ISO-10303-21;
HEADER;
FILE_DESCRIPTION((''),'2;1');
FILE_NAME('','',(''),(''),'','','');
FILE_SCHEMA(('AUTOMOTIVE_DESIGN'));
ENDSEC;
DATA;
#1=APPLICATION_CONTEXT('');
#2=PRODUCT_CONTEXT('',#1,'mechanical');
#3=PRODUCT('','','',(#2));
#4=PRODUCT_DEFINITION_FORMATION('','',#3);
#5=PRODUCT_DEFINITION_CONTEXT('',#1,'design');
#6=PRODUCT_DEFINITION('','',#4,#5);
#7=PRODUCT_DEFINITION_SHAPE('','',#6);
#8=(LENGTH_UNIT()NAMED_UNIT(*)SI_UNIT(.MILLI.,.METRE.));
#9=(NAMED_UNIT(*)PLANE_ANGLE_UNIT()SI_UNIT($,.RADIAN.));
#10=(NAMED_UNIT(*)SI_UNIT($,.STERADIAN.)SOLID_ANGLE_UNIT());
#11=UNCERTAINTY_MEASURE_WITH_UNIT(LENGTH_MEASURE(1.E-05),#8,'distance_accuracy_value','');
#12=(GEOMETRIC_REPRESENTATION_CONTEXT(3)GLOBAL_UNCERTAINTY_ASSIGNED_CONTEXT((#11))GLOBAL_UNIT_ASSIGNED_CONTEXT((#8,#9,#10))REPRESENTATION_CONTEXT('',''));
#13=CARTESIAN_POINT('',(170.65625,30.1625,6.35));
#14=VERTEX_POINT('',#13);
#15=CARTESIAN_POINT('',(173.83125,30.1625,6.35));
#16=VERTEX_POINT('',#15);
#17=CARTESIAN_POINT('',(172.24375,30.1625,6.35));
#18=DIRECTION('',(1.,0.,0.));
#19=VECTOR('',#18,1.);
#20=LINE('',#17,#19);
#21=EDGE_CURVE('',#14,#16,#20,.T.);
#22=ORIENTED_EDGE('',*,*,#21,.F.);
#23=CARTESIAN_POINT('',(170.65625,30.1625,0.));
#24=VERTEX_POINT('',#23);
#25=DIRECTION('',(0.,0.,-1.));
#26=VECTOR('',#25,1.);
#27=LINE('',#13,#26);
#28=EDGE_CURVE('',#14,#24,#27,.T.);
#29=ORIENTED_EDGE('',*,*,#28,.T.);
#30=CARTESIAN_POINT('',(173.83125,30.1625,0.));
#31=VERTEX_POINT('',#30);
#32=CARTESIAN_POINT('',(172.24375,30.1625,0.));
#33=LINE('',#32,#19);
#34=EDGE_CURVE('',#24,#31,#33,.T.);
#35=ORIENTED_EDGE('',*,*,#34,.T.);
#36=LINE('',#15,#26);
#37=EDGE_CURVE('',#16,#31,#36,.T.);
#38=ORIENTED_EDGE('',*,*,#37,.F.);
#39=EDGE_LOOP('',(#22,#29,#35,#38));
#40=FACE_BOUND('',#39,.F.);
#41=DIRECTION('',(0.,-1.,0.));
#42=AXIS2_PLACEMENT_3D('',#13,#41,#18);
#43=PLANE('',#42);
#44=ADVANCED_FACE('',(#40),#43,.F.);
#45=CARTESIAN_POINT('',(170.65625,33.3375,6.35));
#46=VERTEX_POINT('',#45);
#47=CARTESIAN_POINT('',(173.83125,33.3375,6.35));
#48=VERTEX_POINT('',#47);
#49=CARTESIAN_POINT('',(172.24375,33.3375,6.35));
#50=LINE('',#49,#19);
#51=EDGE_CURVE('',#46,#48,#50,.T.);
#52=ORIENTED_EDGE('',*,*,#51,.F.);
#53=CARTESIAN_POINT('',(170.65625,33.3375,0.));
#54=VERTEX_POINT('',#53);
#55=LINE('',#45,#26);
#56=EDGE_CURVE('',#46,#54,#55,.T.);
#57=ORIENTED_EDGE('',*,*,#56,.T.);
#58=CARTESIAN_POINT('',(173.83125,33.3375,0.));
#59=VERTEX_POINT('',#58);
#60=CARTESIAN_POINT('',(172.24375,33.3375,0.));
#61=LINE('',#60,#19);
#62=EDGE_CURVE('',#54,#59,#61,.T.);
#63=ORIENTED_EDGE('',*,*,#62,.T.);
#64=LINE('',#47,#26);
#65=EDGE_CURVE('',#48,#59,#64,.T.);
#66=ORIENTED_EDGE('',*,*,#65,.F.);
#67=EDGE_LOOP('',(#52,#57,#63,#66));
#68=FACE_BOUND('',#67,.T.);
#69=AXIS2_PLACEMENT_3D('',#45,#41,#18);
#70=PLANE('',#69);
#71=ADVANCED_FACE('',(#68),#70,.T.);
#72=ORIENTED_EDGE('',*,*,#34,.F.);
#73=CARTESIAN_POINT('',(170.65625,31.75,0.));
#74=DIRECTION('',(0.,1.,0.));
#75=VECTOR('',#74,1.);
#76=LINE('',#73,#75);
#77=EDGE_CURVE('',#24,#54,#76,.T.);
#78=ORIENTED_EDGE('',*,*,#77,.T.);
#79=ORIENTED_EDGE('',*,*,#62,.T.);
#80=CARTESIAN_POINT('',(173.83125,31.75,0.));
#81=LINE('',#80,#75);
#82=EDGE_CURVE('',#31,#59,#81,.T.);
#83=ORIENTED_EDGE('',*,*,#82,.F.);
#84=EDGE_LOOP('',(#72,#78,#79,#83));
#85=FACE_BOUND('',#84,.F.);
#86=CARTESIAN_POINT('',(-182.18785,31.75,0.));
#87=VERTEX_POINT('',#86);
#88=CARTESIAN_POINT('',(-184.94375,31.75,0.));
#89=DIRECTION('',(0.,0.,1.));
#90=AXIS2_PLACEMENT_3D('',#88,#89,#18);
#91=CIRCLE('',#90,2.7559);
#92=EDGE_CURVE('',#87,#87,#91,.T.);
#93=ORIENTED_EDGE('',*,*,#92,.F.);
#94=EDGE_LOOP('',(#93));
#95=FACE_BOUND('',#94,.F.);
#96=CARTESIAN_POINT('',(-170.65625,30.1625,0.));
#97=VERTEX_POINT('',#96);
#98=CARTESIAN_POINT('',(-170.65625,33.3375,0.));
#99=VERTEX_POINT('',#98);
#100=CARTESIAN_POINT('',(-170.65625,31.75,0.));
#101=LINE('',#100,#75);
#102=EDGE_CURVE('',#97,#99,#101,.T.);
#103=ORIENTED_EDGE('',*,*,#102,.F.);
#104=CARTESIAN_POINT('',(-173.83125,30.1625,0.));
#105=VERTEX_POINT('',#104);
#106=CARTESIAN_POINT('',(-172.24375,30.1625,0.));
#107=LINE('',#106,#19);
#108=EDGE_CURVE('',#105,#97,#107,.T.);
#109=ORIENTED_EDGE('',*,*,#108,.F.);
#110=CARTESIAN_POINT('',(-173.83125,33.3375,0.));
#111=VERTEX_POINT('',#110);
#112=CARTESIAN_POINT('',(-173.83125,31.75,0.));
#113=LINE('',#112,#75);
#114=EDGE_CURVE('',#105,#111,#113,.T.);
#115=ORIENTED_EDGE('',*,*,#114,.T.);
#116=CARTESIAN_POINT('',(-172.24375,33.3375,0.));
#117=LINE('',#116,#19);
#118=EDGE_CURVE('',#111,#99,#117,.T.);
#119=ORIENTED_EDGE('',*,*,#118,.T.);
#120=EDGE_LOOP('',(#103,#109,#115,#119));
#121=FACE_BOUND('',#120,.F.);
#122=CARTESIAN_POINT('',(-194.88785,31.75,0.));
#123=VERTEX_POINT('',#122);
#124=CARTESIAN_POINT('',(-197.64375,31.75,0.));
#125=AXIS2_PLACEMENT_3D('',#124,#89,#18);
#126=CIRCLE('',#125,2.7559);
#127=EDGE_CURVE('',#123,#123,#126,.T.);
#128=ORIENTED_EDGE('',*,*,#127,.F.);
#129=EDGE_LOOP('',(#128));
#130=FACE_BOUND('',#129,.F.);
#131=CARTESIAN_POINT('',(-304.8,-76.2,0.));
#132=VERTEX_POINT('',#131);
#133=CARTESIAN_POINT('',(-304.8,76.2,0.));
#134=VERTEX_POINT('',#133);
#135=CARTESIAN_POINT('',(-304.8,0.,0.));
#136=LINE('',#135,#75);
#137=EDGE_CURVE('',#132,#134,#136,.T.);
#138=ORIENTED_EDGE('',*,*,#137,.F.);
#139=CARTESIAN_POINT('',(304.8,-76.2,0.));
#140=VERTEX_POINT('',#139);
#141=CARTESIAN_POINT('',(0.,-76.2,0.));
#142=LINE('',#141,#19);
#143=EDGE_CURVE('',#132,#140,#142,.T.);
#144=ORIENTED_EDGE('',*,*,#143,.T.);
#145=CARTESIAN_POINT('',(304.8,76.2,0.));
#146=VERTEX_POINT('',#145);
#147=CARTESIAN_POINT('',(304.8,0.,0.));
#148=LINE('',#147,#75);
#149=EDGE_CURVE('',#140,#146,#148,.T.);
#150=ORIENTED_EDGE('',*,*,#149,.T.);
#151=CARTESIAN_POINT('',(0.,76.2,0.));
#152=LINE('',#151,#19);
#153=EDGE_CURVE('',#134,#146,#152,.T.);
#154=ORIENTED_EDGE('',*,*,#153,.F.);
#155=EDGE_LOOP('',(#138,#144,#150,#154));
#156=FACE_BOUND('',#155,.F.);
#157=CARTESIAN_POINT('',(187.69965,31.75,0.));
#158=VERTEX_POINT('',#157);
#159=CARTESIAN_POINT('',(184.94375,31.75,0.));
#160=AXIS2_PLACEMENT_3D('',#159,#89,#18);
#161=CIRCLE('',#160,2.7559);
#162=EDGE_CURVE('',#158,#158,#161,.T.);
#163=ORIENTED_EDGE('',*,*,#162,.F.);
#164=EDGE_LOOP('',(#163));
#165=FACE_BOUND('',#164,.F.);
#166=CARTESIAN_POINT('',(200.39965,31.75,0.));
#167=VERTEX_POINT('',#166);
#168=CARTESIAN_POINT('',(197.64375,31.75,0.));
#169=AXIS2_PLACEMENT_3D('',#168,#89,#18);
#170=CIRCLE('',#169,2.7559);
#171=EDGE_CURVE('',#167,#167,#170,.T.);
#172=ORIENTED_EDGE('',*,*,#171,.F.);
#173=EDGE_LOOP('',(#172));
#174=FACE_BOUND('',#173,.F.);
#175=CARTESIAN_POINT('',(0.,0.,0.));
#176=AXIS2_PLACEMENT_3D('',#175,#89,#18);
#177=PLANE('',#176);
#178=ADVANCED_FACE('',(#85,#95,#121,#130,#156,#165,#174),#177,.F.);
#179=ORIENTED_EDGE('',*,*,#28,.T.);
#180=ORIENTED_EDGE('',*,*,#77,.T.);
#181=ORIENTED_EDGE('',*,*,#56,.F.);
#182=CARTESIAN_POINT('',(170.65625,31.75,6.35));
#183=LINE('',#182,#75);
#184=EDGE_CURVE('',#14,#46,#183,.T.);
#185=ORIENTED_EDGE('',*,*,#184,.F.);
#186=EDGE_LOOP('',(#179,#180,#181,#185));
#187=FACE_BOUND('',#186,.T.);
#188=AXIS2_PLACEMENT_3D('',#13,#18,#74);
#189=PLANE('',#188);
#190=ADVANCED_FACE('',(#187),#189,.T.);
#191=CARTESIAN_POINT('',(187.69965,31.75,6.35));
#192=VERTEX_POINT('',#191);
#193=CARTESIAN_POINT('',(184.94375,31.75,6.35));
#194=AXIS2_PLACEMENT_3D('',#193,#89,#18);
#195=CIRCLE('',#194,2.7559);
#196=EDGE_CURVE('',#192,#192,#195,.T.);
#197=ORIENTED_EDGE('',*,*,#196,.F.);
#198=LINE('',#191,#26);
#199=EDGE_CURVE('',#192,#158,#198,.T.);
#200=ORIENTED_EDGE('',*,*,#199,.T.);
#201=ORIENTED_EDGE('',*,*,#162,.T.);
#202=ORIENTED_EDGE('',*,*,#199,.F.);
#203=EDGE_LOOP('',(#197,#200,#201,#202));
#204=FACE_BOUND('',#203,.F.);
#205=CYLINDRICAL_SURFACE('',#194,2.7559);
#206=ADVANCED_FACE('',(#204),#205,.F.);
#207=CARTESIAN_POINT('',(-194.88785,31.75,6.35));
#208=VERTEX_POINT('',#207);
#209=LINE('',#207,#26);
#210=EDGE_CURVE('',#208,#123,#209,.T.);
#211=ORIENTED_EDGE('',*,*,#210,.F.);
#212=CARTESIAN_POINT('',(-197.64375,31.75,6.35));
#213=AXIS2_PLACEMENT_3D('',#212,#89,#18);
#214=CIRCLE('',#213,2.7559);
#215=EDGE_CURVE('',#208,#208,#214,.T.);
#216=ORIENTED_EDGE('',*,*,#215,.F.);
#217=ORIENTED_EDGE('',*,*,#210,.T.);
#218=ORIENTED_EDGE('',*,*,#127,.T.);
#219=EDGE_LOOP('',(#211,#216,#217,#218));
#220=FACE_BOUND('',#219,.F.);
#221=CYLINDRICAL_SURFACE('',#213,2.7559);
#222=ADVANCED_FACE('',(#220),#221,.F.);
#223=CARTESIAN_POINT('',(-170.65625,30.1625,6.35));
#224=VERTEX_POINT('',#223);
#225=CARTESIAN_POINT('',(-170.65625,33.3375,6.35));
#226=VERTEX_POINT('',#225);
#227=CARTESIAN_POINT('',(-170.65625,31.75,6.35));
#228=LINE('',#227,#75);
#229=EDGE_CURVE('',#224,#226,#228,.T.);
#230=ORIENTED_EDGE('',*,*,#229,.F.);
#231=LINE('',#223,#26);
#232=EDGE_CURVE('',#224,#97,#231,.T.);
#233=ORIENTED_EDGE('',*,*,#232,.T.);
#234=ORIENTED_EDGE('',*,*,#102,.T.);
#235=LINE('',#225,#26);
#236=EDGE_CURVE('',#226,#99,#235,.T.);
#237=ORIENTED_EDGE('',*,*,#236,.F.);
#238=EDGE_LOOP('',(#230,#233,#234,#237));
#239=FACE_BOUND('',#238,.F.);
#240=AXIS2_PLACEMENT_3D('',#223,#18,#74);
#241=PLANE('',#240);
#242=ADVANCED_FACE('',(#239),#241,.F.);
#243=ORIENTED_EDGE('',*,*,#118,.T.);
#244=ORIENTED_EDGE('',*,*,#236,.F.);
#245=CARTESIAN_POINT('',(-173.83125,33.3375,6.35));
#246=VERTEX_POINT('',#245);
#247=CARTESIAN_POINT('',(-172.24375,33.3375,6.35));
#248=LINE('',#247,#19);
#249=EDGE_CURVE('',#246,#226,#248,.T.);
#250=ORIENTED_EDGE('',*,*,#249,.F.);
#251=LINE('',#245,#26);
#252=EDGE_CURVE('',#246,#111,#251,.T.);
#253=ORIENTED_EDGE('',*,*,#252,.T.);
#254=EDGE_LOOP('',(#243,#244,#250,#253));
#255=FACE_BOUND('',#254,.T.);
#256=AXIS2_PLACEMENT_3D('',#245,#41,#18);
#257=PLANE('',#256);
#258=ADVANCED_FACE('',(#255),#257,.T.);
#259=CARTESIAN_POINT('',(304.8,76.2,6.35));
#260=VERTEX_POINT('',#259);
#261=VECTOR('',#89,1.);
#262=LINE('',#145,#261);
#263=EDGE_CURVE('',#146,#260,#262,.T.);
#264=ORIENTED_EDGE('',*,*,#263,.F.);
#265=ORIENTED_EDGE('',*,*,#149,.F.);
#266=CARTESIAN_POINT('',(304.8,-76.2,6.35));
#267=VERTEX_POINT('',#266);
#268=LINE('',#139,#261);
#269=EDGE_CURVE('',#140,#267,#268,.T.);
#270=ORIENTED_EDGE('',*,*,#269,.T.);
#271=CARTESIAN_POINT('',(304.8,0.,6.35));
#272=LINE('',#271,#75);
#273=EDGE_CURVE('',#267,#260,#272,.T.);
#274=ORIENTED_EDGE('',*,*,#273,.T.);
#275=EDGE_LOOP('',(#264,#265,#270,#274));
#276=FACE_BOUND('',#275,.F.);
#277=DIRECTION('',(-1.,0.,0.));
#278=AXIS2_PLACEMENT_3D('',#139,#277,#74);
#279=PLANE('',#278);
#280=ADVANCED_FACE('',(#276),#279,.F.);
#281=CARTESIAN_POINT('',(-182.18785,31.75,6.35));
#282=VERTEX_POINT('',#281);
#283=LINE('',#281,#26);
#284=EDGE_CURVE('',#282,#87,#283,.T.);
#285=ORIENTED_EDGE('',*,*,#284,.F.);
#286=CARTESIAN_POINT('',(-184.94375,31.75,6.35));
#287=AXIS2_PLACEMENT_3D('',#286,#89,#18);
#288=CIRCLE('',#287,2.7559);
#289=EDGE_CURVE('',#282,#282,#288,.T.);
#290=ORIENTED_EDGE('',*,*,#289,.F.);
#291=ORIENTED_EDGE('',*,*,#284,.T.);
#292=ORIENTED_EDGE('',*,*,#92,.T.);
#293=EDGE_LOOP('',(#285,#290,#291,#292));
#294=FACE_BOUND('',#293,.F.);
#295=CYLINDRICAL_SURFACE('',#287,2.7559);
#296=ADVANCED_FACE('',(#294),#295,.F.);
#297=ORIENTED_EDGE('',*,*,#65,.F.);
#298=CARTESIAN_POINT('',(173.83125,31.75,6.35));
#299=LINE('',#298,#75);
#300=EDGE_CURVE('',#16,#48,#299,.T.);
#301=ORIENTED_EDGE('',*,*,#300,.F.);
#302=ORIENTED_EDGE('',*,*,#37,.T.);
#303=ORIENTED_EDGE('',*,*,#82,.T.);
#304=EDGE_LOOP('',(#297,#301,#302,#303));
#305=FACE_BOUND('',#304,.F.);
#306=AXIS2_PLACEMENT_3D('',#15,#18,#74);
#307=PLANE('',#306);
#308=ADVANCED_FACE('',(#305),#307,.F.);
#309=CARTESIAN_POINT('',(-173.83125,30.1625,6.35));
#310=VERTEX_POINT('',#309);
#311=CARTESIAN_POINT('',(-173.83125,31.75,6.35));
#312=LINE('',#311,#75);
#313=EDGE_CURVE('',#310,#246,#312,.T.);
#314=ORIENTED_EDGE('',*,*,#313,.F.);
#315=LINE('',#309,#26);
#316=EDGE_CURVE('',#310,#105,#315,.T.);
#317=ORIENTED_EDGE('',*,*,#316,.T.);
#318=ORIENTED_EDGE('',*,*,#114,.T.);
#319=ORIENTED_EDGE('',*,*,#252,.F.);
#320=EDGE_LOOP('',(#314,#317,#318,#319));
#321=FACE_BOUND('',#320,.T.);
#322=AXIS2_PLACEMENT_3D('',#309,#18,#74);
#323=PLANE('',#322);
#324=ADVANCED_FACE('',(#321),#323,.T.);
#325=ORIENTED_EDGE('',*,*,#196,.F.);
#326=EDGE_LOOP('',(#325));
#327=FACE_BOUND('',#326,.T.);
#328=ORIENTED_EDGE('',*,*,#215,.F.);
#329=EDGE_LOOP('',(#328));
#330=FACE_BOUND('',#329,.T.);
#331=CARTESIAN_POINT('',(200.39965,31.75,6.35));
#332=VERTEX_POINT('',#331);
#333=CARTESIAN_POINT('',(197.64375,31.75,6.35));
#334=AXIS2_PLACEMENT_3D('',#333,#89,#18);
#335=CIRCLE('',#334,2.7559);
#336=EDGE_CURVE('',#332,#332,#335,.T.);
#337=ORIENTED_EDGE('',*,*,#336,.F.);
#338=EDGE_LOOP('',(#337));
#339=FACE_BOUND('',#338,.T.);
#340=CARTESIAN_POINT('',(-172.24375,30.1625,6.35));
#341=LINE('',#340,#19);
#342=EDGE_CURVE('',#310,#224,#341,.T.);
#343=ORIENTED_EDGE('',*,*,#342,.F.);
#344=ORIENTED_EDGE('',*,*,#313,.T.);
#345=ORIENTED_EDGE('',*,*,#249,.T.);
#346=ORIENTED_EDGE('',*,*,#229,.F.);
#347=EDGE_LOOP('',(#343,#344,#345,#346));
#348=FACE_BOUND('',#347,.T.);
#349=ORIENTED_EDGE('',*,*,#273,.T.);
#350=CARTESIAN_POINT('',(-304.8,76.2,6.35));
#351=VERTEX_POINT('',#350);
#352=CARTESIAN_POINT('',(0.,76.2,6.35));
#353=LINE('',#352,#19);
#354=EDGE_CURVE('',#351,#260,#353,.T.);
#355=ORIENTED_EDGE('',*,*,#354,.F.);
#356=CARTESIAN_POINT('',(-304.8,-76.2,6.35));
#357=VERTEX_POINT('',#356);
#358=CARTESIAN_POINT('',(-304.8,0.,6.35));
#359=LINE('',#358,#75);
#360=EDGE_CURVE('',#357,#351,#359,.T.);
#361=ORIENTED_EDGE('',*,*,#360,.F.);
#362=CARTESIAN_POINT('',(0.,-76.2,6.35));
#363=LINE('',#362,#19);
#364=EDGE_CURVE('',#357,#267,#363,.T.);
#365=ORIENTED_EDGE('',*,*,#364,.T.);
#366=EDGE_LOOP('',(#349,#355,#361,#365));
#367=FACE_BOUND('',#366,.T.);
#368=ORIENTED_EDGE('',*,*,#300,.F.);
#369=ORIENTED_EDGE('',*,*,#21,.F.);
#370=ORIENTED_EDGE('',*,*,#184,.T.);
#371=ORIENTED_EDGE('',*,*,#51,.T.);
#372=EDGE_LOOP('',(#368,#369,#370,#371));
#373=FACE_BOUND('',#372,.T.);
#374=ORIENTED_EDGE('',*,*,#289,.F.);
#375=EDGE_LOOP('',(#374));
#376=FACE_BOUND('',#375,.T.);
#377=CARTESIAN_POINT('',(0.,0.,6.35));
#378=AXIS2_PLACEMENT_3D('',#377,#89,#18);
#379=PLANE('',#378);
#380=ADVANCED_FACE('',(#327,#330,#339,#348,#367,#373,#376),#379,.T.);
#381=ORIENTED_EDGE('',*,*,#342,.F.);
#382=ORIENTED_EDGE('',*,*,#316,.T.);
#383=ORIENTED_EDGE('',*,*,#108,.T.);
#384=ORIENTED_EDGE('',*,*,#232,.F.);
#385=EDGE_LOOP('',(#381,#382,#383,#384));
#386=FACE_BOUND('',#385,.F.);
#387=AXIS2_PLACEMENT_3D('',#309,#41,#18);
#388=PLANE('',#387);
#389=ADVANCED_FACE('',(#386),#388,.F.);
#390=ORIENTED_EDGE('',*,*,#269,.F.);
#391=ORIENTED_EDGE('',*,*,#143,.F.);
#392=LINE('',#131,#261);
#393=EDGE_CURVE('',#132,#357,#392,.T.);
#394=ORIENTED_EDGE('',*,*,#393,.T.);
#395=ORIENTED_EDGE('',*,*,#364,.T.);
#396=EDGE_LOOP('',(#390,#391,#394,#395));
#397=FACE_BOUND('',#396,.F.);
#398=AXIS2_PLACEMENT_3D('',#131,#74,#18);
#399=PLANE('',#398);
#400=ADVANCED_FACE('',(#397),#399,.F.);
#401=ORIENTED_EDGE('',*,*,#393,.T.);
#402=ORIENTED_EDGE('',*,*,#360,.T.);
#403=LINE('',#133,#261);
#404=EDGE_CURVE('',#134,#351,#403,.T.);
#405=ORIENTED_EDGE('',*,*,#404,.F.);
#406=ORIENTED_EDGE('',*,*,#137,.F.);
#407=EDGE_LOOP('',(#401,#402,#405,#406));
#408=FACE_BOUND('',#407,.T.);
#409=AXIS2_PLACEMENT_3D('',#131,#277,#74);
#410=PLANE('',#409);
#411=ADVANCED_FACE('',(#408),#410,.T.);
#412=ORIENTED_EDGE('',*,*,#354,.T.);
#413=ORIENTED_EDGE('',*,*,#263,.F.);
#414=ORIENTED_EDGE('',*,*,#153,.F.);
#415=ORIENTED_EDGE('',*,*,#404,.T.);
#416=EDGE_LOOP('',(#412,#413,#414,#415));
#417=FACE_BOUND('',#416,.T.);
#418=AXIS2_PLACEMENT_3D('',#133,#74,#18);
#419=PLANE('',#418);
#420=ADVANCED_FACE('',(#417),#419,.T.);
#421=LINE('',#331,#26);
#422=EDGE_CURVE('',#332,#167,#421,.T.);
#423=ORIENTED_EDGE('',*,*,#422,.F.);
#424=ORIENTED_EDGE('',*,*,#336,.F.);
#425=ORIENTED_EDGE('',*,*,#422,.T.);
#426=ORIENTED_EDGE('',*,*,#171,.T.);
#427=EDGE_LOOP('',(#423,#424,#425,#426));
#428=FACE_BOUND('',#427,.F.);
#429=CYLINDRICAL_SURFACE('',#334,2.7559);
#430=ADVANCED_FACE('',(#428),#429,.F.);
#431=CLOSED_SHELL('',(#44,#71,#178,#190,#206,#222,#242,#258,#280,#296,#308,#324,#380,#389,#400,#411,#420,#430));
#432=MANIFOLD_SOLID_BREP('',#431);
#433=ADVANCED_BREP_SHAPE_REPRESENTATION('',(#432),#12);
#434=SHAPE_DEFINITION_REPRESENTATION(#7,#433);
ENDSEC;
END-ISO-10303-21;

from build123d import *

# Parameters (mm, degrees)
F0_W     = 609.6
F0_H     = 152.4
F1_DEPTH = 6.35
F2_R     = 2.7559
F2_W     = 3.175
F2_H     = 3.175
F3_DEPTH = 6.35


with BuildPart() as f1:
    # F0 (on Top) → F1 (new body)
    with BuildSketch(Plane.XY):
        Rectangle(F0_W, F0_H)
    extrude(amount=F1_DEPTH)

    # F2 (on face) → F3 (cut)
    with BuildSketch(Plane.XY.offset(6.35)):
        with Locations((-184.94375, 31.75)):
            Circle(F2_R)
        with Locations((-197.64375, 31.75)):
            Circle(F2_R)
        with Locations((184.94375, 31.75)):
            Circle(F2_R)
        with Locations((197.64375, 31.75)):
            Circle(F2_R)
        with Locations((-172.24375, 31.75)):
            Rectangle(F2_W, F2_H)
        with Locations((172.24375, 31.75)):
            Rectangle(F2_W, F2_H)
    extrude(amount=-F3_DEPTH, mode=Mode.SUBTRACT)


solid = f1.part
